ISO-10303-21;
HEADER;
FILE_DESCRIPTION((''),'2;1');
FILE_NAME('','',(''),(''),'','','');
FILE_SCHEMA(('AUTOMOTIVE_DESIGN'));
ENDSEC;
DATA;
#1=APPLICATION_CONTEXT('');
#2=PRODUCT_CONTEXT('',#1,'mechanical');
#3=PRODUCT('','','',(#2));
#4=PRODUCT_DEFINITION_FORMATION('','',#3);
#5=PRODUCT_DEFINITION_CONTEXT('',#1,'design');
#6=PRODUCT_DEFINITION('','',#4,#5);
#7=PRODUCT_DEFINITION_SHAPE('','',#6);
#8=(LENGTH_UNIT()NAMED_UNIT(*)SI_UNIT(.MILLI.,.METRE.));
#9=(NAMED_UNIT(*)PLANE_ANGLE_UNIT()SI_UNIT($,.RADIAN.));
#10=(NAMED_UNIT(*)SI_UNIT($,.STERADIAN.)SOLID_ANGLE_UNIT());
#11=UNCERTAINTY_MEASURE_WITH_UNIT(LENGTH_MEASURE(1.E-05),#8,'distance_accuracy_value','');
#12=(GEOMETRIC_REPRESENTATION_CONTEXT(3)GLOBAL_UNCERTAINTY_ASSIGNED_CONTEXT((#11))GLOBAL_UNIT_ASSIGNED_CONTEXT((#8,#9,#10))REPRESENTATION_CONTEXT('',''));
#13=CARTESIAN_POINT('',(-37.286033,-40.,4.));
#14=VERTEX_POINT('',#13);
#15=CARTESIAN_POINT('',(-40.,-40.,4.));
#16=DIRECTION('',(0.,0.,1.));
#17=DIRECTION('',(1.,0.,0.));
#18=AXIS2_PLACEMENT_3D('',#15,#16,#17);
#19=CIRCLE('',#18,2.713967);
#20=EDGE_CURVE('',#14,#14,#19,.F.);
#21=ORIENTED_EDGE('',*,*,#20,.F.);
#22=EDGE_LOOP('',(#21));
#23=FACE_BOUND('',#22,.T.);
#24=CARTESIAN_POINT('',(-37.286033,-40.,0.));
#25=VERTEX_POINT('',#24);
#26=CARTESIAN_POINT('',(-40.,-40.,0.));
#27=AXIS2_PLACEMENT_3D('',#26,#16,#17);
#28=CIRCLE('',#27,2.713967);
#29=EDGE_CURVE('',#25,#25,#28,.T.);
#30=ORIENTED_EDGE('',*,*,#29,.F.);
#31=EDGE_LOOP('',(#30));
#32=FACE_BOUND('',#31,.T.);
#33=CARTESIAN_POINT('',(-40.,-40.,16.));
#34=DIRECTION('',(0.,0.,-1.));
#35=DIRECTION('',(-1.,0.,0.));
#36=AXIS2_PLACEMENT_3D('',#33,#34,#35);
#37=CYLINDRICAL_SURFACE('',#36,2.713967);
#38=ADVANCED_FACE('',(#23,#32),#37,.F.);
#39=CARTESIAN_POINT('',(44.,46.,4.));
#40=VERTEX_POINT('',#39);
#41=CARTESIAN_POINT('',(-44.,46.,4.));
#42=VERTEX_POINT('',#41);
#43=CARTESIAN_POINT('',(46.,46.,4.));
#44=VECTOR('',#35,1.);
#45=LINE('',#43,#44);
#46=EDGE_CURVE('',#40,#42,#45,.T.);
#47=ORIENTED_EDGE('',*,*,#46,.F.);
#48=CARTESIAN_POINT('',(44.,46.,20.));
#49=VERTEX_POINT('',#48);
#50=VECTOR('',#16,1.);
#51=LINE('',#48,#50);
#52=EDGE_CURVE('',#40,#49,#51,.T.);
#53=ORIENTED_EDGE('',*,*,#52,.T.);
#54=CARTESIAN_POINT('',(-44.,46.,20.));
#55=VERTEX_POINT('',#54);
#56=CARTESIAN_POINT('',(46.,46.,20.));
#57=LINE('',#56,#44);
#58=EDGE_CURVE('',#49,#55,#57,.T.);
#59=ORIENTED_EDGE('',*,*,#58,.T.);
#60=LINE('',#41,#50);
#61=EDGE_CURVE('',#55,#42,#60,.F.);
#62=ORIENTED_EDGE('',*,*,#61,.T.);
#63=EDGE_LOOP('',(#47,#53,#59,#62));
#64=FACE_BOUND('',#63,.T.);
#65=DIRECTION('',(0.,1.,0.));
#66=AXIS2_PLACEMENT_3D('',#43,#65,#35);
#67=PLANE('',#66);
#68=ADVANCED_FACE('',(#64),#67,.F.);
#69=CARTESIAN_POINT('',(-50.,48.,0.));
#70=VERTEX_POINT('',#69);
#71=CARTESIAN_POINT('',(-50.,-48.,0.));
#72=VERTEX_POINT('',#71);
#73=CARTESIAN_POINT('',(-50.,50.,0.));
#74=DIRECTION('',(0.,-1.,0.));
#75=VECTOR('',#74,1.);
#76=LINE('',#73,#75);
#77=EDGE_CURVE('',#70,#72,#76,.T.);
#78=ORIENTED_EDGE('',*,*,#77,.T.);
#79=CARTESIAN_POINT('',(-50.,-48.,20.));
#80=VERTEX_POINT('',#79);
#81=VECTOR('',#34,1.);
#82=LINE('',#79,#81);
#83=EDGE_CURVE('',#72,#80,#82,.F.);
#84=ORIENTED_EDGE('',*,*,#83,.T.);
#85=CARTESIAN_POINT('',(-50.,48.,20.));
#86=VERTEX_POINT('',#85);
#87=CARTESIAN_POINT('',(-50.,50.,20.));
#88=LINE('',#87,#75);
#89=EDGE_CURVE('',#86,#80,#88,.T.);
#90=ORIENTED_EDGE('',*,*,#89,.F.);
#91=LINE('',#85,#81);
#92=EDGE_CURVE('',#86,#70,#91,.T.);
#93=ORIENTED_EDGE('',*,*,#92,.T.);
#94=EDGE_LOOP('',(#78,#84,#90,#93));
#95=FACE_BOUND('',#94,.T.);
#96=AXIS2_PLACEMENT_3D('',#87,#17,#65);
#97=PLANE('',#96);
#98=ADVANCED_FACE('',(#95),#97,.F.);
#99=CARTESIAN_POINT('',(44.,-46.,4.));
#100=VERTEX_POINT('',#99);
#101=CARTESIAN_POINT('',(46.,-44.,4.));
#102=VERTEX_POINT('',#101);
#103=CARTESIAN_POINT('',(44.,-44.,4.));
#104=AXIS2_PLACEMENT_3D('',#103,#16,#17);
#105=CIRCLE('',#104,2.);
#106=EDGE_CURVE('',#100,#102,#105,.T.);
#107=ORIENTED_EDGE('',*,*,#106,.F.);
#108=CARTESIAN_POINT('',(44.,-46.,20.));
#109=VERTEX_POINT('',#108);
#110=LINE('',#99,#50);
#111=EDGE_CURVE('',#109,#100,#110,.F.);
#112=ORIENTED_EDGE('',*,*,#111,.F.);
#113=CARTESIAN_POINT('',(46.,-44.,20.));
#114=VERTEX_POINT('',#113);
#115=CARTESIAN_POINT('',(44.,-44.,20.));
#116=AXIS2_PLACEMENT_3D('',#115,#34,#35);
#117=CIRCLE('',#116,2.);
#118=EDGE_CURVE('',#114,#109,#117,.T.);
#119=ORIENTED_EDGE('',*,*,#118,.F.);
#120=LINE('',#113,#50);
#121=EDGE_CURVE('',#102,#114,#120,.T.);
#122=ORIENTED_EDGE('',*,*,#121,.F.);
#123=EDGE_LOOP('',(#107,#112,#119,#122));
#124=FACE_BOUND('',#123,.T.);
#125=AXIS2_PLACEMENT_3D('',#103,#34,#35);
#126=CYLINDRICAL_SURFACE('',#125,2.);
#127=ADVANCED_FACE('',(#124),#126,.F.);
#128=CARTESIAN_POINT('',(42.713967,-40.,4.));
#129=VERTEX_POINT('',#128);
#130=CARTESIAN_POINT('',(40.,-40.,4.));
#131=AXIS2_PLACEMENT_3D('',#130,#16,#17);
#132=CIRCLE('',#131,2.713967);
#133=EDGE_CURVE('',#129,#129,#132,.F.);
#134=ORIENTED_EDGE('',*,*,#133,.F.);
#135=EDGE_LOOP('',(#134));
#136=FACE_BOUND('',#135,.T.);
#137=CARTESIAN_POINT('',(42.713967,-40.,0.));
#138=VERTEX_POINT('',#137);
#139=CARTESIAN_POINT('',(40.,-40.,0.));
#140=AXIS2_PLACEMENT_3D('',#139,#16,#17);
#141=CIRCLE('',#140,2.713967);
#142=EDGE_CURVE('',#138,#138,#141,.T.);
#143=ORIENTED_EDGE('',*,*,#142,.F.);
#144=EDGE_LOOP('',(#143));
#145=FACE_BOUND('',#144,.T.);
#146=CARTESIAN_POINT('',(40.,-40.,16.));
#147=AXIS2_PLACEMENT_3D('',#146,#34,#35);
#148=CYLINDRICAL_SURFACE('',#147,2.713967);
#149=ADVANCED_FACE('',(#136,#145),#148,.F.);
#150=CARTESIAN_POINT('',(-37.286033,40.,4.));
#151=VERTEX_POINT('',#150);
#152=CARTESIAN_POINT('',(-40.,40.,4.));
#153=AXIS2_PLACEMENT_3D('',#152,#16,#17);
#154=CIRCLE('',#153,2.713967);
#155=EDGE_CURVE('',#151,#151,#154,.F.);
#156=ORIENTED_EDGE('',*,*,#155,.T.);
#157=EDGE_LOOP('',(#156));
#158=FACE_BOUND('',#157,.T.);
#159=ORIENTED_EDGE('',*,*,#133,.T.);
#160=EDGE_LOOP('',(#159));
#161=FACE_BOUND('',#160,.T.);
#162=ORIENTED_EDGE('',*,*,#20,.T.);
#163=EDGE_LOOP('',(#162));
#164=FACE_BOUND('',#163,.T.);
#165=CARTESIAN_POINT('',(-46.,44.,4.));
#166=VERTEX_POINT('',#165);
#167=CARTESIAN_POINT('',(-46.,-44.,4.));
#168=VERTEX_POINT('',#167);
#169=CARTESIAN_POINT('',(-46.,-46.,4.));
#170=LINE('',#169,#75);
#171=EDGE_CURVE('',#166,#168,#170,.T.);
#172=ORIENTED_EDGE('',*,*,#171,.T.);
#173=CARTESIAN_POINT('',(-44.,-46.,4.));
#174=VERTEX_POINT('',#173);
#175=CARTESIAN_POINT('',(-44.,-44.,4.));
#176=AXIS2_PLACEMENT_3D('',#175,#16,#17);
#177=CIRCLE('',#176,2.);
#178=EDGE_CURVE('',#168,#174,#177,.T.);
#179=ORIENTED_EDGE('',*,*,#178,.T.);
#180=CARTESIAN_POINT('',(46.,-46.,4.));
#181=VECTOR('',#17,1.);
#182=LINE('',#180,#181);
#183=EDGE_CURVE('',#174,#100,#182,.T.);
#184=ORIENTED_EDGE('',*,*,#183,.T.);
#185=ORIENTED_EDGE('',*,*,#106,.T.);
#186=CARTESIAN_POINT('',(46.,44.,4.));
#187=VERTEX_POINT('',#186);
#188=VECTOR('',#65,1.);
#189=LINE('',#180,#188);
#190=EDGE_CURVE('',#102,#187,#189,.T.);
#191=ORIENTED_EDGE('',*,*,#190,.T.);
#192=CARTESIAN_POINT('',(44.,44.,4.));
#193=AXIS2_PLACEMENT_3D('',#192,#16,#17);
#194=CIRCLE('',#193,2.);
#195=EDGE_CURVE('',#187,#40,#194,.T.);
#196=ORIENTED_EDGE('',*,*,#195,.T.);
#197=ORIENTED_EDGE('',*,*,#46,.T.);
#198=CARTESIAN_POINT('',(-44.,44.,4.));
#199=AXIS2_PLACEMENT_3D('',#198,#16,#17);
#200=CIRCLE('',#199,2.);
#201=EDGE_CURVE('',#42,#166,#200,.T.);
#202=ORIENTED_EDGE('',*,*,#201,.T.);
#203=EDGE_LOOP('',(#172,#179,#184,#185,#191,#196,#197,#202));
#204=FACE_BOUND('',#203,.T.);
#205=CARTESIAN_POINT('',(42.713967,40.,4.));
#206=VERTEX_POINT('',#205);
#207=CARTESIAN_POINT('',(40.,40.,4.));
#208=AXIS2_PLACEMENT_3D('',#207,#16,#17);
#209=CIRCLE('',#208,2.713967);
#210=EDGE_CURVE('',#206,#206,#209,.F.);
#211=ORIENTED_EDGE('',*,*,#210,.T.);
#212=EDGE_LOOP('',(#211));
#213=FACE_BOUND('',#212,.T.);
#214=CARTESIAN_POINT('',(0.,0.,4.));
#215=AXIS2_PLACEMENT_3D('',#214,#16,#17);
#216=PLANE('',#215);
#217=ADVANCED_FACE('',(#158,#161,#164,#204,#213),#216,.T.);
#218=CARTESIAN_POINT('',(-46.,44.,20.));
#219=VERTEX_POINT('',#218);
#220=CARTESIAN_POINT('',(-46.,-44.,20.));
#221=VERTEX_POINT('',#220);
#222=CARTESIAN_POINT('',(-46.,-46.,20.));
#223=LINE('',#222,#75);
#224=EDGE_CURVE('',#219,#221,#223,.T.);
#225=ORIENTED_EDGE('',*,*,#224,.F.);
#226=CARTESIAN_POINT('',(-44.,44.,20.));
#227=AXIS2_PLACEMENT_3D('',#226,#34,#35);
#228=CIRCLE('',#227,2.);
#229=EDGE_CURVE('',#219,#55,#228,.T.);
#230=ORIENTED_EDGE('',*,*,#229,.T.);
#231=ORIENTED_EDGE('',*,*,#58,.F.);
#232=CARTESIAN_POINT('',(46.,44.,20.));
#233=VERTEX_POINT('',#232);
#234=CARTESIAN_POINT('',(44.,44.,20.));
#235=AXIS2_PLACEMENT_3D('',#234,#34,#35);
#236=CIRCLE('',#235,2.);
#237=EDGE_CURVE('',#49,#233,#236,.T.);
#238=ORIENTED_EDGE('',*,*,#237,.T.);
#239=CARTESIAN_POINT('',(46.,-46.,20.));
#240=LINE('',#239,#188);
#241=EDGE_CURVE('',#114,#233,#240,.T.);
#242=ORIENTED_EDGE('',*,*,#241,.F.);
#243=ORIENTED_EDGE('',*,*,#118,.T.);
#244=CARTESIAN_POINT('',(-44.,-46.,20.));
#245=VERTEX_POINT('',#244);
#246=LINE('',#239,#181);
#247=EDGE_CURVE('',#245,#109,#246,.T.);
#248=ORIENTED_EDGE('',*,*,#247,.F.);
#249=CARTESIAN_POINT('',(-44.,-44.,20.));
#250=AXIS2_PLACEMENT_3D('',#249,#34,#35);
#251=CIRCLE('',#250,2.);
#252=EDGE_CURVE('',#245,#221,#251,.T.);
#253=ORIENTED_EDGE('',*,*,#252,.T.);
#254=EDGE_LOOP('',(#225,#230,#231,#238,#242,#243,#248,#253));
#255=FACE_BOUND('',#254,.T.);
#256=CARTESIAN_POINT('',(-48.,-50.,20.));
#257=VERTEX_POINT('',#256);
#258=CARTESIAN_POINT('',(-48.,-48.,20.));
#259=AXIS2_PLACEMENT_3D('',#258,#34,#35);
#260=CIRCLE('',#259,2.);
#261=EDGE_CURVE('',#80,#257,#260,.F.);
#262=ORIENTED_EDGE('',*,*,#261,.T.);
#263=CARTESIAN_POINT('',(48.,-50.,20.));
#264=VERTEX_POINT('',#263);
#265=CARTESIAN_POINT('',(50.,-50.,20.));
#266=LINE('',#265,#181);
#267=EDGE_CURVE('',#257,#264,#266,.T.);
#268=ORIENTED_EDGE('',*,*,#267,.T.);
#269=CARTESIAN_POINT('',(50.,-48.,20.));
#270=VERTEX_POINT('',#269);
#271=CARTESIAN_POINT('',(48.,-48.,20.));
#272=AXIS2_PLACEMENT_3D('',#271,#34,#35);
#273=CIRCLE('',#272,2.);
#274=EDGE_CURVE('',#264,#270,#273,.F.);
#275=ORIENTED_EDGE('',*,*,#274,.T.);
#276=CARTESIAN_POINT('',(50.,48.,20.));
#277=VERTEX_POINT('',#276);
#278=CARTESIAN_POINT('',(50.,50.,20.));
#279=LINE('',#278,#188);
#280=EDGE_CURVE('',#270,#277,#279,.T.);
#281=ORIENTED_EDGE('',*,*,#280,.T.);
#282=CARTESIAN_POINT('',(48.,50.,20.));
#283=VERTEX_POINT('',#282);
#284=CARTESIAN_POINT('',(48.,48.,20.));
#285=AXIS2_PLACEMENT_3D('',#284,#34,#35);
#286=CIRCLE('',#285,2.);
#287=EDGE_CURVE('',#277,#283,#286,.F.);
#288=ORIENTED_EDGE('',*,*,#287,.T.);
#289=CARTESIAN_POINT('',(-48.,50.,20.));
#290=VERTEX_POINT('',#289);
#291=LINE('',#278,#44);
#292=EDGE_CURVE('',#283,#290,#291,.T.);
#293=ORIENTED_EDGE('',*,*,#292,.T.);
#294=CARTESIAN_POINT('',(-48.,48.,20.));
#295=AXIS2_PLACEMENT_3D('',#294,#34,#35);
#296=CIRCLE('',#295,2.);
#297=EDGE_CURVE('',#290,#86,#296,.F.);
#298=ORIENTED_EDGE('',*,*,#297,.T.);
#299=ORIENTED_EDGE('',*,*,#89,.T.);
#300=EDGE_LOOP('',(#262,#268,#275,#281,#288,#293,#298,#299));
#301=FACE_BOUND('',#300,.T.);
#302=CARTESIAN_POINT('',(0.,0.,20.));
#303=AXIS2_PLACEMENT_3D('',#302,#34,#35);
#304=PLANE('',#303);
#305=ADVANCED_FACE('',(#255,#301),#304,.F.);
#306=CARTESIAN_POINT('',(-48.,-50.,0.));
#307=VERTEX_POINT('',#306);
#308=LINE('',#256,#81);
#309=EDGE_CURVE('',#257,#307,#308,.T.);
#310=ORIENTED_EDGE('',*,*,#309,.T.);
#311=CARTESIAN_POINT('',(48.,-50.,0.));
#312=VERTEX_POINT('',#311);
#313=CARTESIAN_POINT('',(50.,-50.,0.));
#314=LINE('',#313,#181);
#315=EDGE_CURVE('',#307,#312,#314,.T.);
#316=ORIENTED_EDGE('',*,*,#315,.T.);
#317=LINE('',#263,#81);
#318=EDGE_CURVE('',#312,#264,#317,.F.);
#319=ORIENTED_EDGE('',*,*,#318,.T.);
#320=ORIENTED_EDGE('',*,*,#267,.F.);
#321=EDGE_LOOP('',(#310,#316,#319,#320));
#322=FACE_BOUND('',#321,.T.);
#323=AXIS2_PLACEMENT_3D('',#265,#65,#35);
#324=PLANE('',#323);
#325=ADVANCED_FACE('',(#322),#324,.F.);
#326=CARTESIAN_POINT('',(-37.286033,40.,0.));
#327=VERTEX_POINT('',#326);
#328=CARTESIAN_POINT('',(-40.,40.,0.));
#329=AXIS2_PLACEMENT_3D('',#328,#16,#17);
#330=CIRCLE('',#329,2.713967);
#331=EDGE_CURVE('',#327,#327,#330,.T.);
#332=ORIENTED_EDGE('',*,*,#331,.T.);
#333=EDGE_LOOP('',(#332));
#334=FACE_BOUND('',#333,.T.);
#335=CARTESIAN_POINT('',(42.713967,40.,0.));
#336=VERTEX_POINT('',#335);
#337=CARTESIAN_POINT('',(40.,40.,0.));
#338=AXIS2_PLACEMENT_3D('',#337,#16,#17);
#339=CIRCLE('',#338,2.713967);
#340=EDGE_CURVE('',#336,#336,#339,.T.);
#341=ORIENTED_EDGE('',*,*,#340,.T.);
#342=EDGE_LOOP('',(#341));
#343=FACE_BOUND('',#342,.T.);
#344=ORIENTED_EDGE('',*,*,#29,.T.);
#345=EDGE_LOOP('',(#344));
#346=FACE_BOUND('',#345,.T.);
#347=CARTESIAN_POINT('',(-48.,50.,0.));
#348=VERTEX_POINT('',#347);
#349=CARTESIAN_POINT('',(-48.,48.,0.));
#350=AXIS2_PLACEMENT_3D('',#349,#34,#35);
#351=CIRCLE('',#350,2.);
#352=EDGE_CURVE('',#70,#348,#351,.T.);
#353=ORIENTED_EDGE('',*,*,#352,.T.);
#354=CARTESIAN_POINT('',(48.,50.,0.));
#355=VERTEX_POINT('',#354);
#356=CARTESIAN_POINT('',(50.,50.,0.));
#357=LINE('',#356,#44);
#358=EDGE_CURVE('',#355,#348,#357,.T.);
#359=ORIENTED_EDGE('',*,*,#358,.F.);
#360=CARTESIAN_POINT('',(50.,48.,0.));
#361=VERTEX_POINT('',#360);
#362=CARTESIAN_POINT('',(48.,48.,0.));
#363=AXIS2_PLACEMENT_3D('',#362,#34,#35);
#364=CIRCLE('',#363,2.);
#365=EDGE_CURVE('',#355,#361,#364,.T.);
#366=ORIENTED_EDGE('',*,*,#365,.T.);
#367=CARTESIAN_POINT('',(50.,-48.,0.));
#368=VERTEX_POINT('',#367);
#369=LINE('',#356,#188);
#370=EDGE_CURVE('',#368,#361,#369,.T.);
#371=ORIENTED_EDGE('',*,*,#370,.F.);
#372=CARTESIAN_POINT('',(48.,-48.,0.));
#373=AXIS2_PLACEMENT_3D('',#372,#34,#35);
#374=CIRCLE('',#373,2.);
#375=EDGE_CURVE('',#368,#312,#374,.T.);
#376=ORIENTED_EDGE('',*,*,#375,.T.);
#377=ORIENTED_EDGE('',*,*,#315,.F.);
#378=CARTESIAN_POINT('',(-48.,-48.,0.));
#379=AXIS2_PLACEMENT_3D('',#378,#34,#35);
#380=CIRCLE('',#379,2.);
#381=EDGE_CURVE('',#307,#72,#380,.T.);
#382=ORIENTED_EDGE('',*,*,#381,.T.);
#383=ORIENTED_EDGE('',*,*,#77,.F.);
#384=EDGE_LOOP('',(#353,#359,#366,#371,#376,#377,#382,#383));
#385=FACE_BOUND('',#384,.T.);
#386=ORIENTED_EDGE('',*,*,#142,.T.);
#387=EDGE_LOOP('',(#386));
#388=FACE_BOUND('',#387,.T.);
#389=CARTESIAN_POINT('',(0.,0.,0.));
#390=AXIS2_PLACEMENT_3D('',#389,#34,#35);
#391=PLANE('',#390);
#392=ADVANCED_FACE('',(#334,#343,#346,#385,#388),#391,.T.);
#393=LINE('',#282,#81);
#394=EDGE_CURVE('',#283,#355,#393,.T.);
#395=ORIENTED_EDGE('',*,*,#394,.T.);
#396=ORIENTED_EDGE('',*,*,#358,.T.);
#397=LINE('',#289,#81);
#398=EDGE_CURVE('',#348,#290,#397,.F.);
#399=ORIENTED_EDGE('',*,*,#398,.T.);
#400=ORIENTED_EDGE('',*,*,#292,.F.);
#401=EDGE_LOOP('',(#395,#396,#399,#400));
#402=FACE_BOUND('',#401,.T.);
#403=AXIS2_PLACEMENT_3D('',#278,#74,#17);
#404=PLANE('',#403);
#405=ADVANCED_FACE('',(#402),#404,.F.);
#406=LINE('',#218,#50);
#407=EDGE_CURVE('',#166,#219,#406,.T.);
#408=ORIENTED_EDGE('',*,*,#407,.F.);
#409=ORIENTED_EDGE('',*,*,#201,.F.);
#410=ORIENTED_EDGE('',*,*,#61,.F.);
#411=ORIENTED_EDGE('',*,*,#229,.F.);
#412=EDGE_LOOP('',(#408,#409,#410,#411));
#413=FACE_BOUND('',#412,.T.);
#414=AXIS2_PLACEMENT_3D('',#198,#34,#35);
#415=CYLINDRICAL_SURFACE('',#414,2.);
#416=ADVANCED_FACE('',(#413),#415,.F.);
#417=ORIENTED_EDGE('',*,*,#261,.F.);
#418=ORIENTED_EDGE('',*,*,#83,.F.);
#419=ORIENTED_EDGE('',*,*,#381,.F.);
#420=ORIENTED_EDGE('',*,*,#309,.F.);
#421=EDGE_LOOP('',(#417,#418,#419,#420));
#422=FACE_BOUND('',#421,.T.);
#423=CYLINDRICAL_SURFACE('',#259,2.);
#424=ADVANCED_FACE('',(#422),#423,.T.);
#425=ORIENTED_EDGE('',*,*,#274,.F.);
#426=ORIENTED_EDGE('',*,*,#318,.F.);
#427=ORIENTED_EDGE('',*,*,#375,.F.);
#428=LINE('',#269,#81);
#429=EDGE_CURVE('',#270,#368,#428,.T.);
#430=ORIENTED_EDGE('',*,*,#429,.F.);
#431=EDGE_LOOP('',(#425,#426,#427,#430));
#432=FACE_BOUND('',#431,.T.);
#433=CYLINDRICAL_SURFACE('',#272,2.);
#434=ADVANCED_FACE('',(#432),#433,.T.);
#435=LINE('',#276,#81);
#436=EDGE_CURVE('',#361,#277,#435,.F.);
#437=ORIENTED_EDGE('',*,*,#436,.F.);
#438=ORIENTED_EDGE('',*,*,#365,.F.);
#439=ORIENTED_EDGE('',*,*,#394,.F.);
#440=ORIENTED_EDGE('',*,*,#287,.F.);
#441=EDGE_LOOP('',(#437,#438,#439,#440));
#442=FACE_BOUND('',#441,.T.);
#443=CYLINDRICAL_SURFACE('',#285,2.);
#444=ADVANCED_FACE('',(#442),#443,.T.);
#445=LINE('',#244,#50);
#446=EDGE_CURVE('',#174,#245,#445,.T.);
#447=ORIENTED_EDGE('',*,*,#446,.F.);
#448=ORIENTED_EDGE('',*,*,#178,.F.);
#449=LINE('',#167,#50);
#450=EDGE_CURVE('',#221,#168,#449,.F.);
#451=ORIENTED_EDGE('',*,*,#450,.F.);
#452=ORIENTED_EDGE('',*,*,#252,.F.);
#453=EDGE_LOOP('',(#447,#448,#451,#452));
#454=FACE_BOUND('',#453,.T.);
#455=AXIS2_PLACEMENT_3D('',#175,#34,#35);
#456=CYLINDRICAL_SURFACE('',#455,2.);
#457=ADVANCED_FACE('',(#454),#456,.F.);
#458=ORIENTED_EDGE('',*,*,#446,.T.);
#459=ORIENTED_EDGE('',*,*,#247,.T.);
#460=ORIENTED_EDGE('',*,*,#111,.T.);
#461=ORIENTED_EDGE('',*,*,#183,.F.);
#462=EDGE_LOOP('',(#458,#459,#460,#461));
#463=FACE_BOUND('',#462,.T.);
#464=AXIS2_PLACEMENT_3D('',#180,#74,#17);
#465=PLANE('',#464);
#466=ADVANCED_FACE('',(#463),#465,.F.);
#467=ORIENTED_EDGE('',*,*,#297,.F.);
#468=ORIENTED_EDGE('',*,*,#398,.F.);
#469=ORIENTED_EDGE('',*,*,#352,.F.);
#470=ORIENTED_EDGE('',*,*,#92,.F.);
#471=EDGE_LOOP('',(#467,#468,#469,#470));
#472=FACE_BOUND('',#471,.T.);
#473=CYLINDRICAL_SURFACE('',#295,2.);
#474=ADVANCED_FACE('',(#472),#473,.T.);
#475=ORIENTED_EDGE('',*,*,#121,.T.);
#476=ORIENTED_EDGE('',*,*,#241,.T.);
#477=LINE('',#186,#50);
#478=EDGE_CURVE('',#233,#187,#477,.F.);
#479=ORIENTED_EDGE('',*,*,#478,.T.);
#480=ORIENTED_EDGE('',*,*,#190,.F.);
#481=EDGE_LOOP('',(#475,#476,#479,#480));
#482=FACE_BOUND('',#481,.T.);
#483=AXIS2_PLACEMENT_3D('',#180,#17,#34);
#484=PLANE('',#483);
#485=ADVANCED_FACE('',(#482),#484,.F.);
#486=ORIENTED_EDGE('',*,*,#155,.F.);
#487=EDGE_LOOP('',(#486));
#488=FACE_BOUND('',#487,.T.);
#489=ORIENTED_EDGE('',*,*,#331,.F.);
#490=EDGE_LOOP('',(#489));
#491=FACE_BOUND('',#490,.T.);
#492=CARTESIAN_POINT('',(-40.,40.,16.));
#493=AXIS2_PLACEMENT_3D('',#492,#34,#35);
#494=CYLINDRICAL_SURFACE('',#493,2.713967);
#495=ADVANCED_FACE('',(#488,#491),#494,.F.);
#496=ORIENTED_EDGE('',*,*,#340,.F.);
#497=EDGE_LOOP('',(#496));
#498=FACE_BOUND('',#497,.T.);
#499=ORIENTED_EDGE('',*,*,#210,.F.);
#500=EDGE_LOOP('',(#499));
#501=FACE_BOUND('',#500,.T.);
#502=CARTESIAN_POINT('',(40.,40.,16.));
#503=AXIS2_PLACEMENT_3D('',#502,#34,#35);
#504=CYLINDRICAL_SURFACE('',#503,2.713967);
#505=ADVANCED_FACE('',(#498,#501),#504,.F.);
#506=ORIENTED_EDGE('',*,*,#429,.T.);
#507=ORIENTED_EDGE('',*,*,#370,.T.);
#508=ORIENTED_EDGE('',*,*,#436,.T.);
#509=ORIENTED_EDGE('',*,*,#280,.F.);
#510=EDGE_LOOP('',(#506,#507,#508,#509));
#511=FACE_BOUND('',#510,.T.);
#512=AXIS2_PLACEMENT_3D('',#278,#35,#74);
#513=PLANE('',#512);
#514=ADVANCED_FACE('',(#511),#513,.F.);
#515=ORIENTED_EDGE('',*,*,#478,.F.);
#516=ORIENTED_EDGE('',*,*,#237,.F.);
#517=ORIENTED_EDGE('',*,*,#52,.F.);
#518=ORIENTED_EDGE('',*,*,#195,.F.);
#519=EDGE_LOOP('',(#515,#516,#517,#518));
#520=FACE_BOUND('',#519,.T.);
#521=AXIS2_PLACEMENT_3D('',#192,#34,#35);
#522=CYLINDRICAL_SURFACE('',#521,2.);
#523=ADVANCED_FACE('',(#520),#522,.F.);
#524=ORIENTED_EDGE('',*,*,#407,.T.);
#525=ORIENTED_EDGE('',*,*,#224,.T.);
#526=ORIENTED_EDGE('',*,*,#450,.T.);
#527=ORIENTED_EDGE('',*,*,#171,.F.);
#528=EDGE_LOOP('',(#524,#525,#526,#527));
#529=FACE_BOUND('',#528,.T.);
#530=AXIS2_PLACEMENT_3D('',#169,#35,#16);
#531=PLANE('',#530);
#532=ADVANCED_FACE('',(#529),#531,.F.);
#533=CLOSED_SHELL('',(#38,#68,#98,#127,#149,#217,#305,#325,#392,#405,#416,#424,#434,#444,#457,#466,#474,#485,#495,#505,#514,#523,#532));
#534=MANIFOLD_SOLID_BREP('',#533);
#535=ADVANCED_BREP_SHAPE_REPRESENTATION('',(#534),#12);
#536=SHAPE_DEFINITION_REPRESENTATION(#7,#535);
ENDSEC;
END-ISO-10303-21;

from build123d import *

# Parameters (mm, degrees)
SKETCH1_W           = 100
SKETCH1_H           = 100
BOSS_EXTRUDE1_DEPTH = 20
SKETCH2_W           = 92
SKETCH2_H           = 92
CUT_EXTRUDE1_DEPTH  = 16
FILLET1_R           = 2
SKETCH3_R           = 2.713966801
CUT_EXTRUDE2_DEPTH  = 16


with BuildPart() as part:
    # Sketch1 → Boss-Extrude1 (new body)
    with BuildSketch(Plane.XY):
        Rectangle(SKETCH1_W, SKETCH1_H)
    extrude(amount=BOSS_EXTRUDE1_DEPTH)

    # Sketch2 → Cut-Extrude1 (cut)
    with BuildSketch(Plane.XY.offset(20)):
        Rectangle(SKETCH2_W, SKETCH2_H)
    extrude(amount=-CUT_EXTRUDE1_DEPTH, mode=Mode.SUBTRACT)

    # Fillet1
    fillet1_edges = [part.edges().sort_by_distance(p)[0] for p in [
        (-46, -46, 12),
        (-46, 46, 12),
        (46, 46, 12),
        (46, -46, 12),
        (-50, 50, 10),
        (50, 50, 10),
        (50, -50, 10),
        (-50, -50, 10),
    ]]
    fillet(fillet1_edges, radius=FILLET1_R)

    # Sketch3 → Cut-Extrude2 (cut)
    with BuildSketch(Plane.XY):
        with Locations((-40, 40)):
            Circle(SKETCH3_R)
        with Locations((40, 40)):
            Circle(SKETCH3_R)
        with Locations((40, -40)):
            Circle(SKETCH3_R)
        with Locations((-40, -40)):
            Circle(SKETCH3_R)
    extrude(amount=CUT_EXTRUDE2_DEPTH, mode=Mode.SUBTRACT)


solid = part.part
